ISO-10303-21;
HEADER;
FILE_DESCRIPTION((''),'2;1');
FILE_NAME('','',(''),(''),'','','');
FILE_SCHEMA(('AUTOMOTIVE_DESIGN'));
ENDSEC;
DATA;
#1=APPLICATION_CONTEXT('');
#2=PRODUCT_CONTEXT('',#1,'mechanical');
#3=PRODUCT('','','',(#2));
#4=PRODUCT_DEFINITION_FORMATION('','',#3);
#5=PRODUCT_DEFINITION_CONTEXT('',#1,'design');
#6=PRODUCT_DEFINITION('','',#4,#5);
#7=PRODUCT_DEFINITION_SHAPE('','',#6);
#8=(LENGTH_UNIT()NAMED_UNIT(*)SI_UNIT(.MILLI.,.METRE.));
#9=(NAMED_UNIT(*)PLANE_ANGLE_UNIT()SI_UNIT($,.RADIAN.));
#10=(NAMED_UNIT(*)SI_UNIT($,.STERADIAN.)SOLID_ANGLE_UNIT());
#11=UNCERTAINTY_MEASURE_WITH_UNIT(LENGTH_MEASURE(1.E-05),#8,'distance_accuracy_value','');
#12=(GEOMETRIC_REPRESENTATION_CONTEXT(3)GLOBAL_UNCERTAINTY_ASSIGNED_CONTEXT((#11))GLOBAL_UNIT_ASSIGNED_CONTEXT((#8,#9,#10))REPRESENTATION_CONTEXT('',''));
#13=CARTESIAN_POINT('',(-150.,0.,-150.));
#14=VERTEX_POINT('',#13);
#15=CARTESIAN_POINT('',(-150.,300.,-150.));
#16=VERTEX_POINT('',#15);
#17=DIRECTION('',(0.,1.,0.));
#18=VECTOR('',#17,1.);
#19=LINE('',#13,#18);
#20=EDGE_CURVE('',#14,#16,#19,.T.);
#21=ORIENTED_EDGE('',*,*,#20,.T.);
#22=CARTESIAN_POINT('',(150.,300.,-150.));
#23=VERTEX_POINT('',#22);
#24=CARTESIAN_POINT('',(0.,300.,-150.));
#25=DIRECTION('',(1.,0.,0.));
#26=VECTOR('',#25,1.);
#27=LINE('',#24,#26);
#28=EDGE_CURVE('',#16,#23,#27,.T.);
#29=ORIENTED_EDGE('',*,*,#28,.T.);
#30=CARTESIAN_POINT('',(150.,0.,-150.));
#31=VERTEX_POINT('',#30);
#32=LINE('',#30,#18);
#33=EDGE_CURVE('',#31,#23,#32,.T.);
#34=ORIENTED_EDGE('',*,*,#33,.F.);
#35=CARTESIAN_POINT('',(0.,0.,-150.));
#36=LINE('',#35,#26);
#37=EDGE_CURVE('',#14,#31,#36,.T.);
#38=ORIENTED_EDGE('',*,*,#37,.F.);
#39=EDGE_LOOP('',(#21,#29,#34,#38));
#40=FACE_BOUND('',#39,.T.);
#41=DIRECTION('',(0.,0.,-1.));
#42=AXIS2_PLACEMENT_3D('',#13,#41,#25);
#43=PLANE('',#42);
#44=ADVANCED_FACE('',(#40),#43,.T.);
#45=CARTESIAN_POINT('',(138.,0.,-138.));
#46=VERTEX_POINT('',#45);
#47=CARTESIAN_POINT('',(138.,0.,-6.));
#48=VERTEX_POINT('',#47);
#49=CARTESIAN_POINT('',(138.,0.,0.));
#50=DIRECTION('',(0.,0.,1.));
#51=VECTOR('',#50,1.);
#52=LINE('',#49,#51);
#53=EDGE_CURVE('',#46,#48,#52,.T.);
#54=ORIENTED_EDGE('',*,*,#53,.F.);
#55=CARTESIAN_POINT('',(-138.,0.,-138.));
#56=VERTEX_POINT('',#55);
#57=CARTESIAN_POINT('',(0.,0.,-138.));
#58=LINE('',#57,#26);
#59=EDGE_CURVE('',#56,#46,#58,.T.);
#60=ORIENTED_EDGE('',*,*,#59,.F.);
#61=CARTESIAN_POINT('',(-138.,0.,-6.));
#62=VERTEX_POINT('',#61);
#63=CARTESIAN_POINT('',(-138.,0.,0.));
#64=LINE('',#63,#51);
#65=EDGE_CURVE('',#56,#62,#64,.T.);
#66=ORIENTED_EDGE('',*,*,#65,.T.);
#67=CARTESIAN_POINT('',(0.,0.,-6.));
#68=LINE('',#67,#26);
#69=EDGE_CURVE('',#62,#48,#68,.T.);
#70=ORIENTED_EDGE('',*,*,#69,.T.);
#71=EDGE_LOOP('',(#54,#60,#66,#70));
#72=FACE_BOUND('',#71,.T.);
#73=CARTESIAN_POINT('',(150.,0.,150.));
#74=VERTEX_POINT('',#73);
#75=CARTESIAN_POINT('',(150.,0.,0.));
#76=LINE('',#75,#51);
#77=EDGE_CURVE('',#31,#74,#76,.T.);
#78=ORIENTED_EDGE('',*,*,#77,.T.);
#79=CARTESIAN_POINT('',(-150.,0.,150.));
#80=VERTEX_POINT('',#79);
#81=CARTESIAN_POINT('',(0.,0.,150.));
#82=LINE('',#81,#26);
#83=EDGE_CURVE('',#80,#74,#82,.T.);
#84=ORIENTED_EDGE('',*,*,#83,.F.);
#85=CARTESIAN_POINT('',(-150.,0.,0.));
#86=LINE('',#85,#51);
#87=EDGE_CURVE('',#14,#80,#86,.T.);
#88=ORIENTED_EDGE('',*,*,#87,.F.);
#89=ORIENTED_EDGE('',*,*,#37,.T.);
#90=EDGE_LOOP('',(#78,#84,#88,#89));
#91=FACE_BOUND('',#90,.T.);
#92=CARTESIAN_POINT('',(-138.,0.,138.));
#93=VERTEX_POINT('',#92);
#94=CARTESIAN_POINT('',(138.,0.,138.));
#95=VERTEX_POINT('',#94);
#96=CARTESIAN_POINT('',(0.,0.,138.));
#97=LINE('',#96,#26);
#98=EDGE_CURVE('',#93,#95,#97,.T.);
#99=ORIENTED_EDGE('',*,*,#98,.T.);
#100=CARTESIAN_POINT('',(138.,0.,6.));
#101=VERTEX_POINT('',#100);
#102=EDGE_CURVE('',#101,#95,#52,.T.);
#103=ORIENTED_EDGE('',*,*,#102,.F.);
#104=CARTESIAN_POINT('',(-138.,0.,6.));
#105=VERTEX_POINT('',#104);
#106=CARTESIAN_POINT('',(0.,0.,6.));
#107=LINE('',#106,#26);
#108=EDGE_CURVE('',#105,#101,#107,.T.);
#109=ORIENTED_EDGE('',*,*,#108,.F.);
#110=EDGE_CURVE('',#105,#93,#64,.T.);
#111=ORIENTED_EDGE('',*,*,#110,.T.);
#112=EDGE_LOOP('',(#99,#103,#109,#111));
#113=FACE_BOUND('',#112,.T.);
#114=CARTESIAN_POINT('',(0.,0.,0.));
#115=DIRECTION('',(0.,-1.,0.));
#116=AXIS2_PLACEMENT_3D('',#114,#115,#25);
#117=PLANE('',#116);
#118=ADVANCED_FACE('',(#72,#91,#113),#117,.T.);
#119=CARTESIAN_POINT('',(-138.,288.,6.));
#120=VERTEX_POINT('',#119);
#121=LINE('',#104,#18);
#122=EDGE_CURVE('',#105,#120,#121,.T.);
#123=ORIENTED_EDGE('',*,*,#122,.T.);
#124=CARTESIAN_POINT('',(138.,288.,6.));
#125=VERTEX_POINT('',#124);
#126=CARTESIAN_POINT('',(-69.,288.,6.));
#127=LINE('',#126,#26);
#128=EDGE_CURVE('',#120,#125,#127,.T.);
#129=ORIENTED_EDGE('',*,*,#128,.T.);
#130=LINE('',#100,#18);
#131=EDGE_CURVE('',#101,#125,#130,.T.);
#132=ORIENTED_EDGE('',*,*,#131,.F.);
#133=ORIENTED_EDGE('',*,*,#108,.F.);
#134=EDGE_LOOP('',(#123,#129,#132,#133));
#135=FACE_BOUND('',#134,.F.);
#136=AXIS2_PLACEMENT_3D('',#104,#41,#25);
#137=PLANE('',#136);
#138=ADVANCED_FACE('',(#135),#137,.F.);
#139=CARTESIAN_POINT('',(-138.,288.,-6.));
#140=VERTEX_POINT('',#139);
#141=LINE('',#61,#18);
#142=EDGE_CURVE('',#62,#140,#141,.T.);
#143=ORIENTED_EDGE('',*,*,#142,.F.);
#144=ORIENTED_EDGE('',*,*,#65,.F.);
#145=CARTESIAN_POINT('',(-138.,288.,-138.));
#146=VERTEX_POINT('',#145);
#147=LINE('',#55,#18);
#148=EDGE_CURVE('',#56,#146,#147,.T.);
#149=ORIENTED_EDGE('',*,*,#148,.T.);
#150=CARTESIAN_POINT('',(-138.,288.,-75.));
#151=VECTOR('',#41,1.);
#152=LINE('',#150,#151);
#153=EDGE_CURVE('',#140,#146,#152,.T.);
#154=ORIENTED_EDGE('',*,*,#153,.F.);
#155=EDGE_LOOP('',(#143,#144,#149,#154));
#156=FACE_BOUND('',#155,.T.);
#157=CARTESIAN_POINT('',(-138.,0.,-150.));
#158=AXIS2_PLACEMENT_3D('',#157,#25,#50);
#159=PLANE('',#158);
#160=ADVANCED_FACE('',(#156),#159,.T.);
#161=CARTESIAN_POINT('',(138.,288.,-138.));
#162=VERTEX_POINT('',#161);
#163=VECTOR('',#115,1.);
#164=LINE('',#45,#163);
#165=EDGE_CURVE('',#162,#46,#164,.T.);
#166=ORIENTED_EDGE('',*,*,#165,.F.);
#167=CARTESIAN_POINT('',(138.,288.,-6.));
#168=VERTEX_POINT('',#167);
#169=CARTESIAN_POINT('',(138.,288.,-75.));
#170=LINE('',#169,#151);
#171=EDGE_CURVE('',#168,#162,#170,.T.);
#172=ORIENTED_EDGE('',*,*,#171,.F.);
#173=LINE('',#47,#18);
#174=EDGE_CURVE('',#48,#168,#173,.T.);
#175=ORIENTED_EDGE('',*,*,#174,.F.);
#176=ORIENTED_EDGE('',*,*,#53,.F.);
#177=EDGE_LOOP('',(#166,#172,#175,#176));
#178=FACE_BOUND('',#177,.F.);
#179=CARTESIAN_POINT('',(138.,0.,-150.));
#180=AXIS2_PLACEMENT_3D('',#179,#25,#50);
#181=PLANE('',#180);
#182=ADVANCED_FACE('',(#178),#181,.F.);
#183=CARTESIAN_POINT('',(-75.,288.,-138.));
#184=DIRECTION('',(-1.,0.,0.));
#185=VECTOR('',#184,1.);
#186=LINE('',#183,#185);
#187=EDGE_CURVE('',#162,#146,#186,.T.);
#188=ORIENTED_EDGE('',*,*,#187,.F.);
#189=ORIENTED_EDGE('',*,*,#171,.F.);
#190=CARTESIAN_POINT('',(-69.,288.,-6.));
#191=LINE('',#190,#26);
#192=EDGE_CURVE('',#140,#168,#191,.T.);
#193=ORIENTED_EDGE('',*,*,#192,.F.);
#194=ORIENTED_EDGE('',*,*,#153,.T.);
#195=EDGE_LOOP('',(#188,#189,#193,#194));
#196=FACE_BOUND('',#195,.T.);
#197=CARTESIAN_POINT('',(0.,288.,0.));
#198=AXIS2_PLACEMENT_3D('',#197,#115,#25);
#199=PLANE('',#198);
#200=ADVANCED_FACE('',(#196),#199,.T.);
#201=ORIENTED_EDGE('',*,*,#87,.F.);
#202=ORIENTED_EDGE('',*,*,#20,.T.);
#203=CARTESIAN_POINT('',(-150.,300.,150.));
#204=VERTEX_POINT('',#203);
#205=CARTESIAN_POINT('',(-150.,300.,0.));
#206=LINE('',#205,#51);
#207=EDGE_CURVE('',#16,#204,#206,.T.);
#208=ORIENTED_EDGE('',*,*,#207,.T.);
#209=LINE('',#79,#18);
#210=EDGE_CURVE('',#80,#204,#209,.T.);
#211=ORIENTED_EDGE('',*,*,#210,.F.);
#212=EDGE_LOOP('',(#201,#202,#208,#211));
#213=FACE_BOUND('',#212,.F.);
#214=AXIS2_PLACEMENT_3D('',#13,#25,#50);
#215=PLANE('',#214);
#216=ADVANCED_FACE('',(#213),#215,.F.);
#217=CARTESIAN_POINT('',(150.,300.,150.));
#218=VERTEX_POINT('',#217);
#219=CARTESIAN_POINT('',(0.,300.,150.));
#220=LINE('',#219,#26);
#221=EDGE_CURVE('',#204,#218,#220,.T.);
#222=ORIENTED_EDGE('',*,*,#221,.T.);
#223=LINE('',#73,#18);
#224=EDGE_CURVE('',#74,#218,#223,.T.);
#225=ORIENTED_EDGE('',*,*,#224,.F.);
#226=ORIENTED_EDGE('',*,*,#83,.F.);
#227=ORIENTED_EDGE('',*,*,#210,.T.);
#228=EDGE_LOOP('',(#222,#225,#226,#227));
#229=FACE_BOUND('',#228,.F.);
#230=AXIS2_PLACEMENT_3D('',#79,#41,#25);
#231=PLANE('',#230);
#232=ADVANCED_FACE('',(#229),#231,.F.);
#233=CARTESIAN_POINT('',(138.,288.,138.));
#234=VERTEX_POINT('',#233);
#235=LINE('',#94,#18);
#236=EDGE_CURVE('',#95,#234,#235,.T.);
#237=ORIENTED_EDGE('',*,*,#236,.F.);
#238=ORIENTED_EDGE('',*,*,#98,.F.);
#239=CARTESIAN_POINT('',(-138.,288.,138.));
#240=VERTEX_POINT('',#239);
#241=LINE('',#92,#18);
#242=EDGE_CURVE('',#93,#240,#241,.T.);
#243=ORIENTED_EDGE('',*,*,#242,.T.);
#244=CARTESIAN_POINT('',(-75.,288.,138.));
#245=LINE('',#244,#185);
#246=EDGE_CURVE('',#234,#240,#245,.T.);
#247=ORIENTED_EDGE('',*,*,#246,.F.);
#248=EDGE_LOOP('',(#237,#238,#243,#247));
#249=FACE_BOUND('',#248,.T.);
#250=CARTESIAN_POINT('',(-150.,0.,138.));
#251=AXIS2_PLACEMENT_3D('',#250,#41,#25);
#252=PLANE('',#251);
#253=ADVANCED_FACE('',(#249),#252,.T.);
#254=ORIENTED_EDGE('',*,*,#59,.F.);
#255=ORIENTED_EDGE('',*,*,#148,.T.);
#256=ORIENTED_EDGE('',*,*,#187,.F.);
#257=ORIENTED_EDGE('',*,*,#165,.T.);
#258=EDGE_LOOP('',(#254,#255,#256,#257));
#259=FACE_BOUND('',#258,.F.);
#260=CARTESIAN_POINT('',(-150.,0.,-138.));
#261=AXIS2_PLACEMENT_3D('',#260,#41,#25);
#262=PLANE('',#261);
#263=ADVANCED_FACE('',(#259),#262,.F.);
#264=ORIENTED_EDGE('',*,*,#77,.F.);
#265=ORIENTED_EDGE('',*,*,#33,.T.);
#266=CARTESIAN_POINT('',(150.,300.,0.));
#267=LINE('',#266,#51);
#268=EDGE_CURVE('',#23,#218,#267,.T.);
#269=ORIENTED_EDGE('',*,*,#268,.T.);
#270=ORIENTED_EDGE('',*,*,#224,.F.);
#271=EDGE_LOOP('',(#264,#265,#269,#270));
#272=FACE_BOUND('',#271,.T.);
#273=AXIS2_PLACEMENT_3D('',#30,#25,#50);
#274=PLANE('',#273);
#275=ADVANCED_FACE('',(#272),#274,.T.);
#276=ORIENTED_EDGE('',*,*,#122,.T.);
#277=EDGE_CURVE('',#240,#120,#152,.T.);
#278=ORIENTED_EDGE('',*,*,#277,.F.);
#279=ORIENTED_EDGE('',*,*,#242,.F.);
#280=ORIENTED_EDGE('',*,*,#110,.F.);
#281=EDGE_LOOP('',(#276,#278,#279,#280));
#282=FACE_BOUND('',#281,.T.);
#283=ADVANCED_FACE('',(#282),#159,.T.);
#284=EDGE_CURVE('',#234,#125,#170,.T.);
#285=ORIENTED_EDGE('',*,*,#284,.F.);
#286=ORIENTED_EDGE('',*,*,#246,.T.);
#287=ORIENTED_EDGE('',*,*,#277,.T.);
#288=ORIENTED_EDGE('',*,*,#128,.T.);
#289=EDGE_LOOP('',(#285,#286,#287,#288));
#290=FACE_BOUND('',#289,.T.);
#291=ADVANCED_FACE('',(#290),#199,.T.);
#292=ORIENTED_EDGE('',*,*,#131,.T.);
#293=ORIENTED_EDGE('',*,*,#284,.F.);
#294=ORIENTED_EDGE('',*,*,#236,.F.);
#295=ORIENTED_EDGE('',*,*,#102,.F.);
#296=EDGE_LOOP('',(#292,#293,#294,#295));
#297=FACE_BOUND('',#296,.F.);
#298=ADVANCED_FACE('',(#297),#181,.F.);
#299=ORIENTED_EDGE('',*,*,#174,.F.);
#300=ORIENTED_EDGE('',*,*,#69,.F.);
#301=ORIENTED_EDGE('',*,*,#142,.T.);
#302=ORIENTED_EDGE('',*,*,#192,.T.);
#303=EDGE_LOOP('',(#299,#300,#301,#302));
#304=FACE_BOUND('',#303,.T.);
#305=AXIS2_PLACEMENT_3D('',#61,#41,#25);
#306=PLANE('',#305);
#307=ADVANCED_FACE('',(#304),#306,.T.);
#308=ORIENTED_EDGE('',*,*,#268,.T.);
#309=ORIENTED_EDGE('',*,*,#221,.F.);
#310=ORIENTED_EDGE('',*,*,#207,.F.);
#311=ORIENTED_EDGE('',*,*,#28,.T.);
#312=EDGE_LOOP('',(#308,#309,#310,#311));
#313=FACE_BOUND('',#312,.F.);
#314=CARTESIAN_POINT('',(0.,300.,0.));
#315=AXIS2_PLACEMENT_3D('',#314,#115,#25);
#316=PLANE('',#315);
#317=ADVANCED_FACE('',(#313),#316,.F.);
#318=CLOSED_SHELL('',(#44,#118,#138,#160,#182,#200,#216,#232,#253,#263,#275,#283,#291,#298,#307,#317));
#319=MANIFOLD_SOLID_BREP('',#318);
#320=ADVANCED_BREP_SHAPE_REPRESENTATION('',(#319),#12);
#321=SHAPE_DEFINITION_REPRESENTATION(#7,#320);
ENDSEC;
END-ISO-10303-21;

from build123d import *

# Parameters (mm, degrees)
F0_W     = 300
F0_H     = 300
F1_DEPTH = 300
F2_T     = -12
F3_W     = 276
F3_H     = 12
F4_DEPTH = 295


with BuildPart() as f1:
    # F0 (on Front) → F1 (new body)
    with BuildSketch(Plane.XZ):
        Rectangle(F0_W, F0_H)
    extrude(amount=-F1_DEPTH)

    # F2
    f2_openings = [f1.faces().sort_by_distance(p)[0] for p in [
        (0, 0, 0),
    ]]
    offset(amount=F2_T, openings=f2_openings)

    # F3 (on face) → F4 (join)
    with BuildSketch(Plane.XZ):
        Rectangle(F3_W, F3_H)
    extrude(amount=-F4_DEPTH)


solid = f1.part
